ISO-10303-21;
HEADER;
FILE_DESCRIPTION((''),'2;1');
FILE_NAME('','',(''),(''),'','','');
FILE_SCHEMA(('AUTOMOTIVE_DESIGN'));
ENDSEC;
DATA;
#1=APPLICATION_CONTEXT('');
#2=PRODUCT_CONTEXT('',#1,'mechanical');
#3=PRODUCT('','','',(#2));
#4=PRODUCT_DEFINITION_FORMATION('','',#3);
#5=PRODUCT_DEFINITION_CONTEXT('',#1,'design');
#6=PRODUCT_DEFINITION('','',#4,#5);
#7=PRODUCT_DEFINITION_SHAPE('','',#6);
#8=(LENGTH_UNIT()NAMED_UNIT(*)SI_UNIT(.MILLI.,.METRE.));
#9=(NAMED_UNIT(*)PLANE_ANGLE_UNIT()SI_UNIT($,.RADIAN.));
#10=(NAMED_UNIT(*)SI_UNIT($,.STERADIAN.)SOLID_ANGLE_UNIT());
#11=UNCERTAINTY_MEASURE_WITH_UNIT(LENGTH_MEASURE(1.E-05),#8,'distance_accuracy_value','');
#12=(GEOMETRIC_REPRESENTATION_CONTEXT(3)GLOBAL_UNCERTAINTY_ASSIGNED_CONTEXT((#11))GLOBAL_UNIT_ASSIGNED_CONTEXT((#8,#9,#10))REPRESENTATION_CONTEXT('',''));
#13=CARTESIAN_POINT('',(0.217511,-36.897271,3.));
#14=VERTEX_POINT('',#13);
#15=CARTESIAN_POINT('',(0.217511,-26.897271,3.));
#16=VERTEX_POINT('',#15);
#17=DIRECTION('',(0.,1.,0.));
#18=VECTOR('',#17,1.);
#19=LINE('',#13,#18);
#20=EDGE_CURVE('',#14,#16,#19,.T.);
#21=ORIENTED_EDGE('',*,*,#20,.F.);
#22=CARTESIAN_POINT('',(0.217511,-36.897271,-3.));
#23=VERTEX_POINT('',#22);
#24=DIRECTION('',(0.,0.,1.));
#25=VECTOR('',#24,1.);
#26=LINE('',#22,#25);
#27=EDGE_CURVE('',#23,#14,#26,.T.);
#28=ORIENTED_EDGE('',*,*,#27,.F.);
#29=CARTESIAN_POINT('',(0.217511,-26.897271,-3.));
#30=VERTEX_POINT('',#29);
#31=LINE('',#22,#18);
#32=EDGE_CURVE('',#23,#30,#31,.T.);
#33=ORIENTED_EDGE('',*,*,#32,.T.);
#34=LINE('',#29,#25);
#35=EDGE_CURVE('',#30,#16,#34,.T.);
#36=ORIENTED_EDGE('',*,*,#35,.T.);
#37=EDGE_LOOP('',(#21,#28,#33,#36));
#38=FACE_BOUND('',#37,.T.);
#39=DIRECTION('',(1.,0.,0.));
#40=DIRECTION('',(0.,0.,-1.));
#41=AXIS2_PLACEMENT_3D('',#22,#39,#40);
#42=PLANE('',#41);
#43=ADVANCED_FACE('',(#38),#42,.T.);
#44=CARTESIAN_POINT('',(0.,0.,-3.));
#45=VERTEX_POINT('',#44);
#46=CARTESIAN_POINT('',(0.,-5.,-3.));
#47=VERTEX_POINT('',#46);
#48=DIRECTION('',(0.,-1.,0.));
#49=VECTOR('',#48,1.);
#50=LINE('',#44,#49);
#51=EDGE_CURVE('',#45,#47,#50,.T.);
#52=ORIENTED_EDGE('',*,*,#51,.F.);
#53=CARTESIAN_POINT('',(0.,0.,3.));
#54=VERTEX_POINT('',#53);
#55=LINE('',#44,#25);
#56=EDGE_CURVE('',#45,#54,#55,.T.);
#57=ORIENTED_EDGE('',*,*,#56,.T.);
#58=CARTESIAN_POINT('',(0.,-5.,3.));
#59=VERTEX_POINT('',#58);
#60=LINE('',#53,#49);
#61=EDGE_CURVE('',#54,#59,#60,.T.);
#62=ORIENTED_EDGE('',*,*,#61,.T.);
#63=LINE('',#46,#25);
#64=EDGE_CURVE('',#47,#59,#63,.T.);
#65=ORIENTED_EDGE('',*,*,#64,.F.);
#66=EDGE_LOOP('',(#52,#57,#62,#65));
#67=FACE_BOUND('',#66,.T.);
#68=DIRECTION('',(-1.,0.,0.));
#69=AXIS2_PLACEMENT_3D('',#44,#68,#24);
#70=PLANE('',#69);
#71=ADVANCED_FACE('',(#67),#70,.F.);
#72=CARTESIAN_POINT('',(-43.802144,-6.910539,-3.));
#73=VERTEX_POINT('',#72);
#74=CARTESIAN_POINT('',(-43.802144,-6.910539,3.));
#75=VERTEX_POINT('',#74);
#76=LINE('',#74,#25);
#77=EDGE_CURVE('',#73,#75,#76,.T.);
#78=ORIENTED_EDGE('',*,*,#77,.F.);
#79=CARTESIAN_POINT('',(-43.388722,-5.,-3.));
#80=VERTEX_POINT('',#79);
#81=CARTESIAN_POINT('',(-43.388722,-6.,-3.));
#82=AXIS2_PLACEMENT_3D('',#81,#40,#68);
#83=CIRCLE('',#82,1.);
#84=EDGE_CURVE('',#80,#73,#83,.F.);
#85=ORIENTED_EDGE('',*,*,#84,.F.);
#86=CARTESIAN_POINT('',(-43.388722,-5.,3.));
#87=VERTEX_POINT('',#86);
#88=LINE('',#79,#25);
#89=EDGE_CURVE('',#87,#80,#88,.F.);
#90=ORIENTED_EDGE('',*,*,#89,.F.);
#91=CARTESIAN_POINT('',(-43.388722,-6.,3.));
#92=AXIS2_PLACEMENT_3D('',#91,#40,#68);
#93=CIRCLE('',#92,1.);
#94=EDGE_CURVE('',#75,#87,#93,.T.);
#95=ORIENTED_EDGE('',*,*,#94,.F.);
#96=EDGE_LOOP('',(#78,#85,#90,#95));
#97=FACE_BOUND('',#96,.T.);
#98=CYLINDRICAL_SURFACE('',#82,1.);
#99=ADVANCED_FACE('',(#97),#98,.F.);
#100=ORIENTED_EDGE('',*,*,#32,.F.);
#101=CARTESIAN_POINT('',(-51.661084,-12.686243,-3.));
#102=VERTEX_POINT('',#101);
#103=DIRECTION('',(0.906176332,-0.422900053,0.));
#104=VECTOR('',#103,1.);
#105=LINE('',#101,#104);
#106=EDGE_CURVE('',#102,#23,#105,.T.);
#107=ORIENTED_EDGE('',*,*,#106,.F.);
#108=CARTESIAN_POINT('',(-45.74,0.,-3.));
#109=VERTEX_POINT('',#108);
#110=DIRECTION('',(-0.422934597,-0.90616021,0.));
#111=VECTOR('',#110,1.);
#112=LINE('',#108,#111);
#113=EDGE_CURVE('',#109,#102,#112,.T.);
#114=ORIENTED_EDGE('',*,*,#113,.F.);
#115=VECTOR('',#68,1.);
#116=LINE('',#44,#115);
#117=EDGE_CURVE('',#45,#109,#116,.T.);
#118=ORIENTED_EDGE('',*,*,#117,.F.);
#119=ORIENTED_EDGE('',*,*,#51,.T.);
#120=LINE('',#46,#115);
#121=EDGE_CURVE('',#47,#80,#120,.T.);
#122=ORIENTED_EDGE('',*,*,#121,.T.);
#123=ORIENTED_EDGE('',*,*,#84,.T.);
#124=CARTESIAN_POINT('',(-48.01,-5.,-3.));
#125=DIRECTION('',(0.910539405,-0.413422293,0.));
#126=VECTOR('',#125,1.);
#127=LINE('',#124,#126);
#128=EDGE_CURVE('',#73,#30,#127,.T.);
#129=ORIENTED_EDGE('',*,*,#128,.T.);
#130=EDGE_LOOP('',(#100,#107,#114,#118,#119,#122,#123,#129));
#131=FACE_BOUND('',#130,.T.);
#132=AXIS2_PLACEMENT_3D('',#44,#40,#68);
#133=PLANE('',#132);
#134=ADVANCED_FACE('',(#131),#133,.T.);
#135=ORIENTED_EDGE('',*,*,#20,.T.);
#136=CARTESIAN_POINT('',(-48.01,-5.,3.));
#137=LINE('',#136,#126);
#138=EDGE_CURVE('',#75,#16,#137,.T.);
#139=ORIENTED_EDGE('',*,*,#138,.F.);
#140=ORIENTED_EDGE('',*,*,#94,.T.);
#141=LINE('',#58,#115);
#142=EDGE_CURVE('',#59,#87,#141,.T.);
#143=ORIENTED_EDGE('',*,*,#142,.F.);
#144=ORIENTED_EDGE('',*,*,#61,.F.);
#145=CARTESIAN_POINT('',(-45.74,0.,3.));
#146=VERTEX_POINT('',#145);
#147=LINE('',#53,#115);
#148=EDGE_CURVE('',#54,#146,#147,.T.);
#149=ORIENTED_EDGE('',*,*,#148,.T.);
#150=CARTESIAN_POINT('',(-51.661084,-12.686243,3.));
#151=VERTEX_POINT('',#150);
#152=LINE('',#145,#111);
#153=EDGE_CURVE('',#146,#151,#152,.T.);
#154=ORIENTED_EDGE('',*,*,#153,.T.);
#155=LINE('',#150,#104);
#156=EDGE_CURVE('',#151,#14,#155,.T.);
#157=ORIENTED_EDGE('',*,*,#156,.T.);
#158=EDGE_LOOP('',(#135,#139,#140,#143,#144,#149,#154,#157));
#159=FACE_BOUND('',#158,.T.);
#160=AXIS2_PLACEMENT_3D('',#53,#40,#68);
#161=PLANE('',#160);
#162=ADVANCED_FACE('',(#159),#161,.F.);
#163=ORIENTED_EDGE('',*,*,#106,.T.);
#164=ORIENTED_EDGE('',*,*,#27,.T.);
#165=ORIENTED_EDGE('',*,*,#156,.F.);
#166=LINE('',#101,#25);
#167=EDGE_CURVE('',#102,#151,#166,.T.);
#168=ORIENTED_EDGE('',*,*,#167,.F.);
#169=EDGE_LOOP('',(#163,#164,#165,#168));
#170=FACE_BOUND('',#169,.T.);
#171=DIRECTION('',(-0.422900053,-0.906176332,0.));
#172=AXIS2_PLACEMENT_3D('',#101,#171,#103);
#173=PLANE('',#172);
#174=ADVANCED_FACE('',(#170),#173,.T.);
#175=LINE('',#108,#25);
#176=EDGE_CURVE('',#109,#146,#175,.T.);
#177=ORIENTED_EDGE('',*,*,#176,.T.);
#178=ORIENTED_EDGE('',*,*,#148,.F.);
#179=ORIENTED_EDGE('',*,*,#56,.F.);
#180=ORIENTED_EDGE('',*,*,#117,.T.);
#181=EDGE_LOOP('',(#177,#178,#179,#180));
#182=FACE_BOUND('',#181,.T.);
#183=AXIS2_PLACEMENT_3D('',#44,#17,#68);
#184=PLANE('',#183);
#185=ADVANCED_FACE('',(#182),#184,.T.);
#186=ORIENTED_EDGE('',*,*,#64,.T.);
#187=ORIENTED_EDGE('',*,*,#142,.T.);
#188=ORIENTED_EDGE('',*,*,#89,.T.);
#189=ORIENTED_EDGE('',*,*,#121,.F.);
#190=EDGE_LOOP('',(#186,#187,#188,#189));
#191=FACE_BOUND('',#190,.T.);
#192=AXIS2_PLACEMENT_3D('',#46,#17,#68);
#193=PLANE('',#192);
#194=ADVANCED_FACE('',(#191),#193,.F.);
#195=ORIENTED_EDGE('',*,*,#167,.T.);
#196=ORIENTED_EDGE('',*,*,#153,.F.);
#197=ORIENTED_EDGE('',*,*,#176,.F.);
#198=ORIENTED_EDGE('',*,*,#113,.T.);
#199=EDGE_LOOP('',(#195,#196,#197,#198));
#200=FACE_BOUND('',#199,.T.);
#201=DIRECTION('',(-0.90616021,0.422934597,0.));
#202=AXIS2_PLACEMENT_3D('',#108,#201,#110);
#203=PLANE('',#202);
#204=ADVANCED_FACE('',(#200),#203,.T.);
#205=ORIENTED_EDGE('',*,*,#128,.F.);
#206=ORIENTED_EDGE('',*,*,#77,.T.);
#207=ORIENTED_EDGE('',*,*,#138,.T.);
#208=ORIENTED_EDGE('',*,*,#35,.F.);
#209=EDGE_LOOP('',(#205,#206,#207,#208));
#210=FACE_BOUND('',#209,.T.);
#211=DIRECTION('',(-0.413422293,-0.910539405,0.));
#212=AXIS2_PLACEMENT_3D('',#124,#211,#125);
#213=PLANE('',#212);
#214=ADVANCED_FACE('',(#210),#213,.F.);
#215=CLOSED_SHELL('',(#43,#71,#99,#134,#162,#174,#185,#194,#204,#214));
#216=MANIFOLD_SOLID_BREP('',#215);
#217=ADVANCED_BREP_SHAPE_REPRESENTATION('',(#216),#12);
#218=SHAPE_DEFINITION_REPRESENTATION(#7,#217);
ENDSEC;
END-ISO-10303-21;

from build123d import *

# Parameters (mm, degrees)
BOSS_EXTRUDE1_DEPTH      = 3
BOSS_EXTRUDE1_DEPTH_BACK = 3
FILLET1_R                = 1


with BuildPart() as part:
    # Sketch2 → Boss-Extrude1 (new, two sides: drawn at the far end of the back side and taken through both)
    with BuildSketch(Plane.XY.offset(-BOSS_EXTRUDE1_DEPTH_BACK)):
        Polygon((0, 0), (0, -5), (-48.01, -5), (0.217510674, -26.897270955), (0.217510674, -36.897270955), (-51.661084359, -12.686242943), (-45.74, 0), align=None)
    extrude(amount=BOSS_EXTRUDE1_DEPTH + BOSS_EXTRUDE1_DEPTH_BACK)

    # Fillet1
    fillet1_edges = [part.edges().sort_by_distance(p)[0] for p in [
        (-48.01, -5, 0),
    ]]
    fillet(fillet1_edges, radius=FILLET1_R)


solid = part.part
